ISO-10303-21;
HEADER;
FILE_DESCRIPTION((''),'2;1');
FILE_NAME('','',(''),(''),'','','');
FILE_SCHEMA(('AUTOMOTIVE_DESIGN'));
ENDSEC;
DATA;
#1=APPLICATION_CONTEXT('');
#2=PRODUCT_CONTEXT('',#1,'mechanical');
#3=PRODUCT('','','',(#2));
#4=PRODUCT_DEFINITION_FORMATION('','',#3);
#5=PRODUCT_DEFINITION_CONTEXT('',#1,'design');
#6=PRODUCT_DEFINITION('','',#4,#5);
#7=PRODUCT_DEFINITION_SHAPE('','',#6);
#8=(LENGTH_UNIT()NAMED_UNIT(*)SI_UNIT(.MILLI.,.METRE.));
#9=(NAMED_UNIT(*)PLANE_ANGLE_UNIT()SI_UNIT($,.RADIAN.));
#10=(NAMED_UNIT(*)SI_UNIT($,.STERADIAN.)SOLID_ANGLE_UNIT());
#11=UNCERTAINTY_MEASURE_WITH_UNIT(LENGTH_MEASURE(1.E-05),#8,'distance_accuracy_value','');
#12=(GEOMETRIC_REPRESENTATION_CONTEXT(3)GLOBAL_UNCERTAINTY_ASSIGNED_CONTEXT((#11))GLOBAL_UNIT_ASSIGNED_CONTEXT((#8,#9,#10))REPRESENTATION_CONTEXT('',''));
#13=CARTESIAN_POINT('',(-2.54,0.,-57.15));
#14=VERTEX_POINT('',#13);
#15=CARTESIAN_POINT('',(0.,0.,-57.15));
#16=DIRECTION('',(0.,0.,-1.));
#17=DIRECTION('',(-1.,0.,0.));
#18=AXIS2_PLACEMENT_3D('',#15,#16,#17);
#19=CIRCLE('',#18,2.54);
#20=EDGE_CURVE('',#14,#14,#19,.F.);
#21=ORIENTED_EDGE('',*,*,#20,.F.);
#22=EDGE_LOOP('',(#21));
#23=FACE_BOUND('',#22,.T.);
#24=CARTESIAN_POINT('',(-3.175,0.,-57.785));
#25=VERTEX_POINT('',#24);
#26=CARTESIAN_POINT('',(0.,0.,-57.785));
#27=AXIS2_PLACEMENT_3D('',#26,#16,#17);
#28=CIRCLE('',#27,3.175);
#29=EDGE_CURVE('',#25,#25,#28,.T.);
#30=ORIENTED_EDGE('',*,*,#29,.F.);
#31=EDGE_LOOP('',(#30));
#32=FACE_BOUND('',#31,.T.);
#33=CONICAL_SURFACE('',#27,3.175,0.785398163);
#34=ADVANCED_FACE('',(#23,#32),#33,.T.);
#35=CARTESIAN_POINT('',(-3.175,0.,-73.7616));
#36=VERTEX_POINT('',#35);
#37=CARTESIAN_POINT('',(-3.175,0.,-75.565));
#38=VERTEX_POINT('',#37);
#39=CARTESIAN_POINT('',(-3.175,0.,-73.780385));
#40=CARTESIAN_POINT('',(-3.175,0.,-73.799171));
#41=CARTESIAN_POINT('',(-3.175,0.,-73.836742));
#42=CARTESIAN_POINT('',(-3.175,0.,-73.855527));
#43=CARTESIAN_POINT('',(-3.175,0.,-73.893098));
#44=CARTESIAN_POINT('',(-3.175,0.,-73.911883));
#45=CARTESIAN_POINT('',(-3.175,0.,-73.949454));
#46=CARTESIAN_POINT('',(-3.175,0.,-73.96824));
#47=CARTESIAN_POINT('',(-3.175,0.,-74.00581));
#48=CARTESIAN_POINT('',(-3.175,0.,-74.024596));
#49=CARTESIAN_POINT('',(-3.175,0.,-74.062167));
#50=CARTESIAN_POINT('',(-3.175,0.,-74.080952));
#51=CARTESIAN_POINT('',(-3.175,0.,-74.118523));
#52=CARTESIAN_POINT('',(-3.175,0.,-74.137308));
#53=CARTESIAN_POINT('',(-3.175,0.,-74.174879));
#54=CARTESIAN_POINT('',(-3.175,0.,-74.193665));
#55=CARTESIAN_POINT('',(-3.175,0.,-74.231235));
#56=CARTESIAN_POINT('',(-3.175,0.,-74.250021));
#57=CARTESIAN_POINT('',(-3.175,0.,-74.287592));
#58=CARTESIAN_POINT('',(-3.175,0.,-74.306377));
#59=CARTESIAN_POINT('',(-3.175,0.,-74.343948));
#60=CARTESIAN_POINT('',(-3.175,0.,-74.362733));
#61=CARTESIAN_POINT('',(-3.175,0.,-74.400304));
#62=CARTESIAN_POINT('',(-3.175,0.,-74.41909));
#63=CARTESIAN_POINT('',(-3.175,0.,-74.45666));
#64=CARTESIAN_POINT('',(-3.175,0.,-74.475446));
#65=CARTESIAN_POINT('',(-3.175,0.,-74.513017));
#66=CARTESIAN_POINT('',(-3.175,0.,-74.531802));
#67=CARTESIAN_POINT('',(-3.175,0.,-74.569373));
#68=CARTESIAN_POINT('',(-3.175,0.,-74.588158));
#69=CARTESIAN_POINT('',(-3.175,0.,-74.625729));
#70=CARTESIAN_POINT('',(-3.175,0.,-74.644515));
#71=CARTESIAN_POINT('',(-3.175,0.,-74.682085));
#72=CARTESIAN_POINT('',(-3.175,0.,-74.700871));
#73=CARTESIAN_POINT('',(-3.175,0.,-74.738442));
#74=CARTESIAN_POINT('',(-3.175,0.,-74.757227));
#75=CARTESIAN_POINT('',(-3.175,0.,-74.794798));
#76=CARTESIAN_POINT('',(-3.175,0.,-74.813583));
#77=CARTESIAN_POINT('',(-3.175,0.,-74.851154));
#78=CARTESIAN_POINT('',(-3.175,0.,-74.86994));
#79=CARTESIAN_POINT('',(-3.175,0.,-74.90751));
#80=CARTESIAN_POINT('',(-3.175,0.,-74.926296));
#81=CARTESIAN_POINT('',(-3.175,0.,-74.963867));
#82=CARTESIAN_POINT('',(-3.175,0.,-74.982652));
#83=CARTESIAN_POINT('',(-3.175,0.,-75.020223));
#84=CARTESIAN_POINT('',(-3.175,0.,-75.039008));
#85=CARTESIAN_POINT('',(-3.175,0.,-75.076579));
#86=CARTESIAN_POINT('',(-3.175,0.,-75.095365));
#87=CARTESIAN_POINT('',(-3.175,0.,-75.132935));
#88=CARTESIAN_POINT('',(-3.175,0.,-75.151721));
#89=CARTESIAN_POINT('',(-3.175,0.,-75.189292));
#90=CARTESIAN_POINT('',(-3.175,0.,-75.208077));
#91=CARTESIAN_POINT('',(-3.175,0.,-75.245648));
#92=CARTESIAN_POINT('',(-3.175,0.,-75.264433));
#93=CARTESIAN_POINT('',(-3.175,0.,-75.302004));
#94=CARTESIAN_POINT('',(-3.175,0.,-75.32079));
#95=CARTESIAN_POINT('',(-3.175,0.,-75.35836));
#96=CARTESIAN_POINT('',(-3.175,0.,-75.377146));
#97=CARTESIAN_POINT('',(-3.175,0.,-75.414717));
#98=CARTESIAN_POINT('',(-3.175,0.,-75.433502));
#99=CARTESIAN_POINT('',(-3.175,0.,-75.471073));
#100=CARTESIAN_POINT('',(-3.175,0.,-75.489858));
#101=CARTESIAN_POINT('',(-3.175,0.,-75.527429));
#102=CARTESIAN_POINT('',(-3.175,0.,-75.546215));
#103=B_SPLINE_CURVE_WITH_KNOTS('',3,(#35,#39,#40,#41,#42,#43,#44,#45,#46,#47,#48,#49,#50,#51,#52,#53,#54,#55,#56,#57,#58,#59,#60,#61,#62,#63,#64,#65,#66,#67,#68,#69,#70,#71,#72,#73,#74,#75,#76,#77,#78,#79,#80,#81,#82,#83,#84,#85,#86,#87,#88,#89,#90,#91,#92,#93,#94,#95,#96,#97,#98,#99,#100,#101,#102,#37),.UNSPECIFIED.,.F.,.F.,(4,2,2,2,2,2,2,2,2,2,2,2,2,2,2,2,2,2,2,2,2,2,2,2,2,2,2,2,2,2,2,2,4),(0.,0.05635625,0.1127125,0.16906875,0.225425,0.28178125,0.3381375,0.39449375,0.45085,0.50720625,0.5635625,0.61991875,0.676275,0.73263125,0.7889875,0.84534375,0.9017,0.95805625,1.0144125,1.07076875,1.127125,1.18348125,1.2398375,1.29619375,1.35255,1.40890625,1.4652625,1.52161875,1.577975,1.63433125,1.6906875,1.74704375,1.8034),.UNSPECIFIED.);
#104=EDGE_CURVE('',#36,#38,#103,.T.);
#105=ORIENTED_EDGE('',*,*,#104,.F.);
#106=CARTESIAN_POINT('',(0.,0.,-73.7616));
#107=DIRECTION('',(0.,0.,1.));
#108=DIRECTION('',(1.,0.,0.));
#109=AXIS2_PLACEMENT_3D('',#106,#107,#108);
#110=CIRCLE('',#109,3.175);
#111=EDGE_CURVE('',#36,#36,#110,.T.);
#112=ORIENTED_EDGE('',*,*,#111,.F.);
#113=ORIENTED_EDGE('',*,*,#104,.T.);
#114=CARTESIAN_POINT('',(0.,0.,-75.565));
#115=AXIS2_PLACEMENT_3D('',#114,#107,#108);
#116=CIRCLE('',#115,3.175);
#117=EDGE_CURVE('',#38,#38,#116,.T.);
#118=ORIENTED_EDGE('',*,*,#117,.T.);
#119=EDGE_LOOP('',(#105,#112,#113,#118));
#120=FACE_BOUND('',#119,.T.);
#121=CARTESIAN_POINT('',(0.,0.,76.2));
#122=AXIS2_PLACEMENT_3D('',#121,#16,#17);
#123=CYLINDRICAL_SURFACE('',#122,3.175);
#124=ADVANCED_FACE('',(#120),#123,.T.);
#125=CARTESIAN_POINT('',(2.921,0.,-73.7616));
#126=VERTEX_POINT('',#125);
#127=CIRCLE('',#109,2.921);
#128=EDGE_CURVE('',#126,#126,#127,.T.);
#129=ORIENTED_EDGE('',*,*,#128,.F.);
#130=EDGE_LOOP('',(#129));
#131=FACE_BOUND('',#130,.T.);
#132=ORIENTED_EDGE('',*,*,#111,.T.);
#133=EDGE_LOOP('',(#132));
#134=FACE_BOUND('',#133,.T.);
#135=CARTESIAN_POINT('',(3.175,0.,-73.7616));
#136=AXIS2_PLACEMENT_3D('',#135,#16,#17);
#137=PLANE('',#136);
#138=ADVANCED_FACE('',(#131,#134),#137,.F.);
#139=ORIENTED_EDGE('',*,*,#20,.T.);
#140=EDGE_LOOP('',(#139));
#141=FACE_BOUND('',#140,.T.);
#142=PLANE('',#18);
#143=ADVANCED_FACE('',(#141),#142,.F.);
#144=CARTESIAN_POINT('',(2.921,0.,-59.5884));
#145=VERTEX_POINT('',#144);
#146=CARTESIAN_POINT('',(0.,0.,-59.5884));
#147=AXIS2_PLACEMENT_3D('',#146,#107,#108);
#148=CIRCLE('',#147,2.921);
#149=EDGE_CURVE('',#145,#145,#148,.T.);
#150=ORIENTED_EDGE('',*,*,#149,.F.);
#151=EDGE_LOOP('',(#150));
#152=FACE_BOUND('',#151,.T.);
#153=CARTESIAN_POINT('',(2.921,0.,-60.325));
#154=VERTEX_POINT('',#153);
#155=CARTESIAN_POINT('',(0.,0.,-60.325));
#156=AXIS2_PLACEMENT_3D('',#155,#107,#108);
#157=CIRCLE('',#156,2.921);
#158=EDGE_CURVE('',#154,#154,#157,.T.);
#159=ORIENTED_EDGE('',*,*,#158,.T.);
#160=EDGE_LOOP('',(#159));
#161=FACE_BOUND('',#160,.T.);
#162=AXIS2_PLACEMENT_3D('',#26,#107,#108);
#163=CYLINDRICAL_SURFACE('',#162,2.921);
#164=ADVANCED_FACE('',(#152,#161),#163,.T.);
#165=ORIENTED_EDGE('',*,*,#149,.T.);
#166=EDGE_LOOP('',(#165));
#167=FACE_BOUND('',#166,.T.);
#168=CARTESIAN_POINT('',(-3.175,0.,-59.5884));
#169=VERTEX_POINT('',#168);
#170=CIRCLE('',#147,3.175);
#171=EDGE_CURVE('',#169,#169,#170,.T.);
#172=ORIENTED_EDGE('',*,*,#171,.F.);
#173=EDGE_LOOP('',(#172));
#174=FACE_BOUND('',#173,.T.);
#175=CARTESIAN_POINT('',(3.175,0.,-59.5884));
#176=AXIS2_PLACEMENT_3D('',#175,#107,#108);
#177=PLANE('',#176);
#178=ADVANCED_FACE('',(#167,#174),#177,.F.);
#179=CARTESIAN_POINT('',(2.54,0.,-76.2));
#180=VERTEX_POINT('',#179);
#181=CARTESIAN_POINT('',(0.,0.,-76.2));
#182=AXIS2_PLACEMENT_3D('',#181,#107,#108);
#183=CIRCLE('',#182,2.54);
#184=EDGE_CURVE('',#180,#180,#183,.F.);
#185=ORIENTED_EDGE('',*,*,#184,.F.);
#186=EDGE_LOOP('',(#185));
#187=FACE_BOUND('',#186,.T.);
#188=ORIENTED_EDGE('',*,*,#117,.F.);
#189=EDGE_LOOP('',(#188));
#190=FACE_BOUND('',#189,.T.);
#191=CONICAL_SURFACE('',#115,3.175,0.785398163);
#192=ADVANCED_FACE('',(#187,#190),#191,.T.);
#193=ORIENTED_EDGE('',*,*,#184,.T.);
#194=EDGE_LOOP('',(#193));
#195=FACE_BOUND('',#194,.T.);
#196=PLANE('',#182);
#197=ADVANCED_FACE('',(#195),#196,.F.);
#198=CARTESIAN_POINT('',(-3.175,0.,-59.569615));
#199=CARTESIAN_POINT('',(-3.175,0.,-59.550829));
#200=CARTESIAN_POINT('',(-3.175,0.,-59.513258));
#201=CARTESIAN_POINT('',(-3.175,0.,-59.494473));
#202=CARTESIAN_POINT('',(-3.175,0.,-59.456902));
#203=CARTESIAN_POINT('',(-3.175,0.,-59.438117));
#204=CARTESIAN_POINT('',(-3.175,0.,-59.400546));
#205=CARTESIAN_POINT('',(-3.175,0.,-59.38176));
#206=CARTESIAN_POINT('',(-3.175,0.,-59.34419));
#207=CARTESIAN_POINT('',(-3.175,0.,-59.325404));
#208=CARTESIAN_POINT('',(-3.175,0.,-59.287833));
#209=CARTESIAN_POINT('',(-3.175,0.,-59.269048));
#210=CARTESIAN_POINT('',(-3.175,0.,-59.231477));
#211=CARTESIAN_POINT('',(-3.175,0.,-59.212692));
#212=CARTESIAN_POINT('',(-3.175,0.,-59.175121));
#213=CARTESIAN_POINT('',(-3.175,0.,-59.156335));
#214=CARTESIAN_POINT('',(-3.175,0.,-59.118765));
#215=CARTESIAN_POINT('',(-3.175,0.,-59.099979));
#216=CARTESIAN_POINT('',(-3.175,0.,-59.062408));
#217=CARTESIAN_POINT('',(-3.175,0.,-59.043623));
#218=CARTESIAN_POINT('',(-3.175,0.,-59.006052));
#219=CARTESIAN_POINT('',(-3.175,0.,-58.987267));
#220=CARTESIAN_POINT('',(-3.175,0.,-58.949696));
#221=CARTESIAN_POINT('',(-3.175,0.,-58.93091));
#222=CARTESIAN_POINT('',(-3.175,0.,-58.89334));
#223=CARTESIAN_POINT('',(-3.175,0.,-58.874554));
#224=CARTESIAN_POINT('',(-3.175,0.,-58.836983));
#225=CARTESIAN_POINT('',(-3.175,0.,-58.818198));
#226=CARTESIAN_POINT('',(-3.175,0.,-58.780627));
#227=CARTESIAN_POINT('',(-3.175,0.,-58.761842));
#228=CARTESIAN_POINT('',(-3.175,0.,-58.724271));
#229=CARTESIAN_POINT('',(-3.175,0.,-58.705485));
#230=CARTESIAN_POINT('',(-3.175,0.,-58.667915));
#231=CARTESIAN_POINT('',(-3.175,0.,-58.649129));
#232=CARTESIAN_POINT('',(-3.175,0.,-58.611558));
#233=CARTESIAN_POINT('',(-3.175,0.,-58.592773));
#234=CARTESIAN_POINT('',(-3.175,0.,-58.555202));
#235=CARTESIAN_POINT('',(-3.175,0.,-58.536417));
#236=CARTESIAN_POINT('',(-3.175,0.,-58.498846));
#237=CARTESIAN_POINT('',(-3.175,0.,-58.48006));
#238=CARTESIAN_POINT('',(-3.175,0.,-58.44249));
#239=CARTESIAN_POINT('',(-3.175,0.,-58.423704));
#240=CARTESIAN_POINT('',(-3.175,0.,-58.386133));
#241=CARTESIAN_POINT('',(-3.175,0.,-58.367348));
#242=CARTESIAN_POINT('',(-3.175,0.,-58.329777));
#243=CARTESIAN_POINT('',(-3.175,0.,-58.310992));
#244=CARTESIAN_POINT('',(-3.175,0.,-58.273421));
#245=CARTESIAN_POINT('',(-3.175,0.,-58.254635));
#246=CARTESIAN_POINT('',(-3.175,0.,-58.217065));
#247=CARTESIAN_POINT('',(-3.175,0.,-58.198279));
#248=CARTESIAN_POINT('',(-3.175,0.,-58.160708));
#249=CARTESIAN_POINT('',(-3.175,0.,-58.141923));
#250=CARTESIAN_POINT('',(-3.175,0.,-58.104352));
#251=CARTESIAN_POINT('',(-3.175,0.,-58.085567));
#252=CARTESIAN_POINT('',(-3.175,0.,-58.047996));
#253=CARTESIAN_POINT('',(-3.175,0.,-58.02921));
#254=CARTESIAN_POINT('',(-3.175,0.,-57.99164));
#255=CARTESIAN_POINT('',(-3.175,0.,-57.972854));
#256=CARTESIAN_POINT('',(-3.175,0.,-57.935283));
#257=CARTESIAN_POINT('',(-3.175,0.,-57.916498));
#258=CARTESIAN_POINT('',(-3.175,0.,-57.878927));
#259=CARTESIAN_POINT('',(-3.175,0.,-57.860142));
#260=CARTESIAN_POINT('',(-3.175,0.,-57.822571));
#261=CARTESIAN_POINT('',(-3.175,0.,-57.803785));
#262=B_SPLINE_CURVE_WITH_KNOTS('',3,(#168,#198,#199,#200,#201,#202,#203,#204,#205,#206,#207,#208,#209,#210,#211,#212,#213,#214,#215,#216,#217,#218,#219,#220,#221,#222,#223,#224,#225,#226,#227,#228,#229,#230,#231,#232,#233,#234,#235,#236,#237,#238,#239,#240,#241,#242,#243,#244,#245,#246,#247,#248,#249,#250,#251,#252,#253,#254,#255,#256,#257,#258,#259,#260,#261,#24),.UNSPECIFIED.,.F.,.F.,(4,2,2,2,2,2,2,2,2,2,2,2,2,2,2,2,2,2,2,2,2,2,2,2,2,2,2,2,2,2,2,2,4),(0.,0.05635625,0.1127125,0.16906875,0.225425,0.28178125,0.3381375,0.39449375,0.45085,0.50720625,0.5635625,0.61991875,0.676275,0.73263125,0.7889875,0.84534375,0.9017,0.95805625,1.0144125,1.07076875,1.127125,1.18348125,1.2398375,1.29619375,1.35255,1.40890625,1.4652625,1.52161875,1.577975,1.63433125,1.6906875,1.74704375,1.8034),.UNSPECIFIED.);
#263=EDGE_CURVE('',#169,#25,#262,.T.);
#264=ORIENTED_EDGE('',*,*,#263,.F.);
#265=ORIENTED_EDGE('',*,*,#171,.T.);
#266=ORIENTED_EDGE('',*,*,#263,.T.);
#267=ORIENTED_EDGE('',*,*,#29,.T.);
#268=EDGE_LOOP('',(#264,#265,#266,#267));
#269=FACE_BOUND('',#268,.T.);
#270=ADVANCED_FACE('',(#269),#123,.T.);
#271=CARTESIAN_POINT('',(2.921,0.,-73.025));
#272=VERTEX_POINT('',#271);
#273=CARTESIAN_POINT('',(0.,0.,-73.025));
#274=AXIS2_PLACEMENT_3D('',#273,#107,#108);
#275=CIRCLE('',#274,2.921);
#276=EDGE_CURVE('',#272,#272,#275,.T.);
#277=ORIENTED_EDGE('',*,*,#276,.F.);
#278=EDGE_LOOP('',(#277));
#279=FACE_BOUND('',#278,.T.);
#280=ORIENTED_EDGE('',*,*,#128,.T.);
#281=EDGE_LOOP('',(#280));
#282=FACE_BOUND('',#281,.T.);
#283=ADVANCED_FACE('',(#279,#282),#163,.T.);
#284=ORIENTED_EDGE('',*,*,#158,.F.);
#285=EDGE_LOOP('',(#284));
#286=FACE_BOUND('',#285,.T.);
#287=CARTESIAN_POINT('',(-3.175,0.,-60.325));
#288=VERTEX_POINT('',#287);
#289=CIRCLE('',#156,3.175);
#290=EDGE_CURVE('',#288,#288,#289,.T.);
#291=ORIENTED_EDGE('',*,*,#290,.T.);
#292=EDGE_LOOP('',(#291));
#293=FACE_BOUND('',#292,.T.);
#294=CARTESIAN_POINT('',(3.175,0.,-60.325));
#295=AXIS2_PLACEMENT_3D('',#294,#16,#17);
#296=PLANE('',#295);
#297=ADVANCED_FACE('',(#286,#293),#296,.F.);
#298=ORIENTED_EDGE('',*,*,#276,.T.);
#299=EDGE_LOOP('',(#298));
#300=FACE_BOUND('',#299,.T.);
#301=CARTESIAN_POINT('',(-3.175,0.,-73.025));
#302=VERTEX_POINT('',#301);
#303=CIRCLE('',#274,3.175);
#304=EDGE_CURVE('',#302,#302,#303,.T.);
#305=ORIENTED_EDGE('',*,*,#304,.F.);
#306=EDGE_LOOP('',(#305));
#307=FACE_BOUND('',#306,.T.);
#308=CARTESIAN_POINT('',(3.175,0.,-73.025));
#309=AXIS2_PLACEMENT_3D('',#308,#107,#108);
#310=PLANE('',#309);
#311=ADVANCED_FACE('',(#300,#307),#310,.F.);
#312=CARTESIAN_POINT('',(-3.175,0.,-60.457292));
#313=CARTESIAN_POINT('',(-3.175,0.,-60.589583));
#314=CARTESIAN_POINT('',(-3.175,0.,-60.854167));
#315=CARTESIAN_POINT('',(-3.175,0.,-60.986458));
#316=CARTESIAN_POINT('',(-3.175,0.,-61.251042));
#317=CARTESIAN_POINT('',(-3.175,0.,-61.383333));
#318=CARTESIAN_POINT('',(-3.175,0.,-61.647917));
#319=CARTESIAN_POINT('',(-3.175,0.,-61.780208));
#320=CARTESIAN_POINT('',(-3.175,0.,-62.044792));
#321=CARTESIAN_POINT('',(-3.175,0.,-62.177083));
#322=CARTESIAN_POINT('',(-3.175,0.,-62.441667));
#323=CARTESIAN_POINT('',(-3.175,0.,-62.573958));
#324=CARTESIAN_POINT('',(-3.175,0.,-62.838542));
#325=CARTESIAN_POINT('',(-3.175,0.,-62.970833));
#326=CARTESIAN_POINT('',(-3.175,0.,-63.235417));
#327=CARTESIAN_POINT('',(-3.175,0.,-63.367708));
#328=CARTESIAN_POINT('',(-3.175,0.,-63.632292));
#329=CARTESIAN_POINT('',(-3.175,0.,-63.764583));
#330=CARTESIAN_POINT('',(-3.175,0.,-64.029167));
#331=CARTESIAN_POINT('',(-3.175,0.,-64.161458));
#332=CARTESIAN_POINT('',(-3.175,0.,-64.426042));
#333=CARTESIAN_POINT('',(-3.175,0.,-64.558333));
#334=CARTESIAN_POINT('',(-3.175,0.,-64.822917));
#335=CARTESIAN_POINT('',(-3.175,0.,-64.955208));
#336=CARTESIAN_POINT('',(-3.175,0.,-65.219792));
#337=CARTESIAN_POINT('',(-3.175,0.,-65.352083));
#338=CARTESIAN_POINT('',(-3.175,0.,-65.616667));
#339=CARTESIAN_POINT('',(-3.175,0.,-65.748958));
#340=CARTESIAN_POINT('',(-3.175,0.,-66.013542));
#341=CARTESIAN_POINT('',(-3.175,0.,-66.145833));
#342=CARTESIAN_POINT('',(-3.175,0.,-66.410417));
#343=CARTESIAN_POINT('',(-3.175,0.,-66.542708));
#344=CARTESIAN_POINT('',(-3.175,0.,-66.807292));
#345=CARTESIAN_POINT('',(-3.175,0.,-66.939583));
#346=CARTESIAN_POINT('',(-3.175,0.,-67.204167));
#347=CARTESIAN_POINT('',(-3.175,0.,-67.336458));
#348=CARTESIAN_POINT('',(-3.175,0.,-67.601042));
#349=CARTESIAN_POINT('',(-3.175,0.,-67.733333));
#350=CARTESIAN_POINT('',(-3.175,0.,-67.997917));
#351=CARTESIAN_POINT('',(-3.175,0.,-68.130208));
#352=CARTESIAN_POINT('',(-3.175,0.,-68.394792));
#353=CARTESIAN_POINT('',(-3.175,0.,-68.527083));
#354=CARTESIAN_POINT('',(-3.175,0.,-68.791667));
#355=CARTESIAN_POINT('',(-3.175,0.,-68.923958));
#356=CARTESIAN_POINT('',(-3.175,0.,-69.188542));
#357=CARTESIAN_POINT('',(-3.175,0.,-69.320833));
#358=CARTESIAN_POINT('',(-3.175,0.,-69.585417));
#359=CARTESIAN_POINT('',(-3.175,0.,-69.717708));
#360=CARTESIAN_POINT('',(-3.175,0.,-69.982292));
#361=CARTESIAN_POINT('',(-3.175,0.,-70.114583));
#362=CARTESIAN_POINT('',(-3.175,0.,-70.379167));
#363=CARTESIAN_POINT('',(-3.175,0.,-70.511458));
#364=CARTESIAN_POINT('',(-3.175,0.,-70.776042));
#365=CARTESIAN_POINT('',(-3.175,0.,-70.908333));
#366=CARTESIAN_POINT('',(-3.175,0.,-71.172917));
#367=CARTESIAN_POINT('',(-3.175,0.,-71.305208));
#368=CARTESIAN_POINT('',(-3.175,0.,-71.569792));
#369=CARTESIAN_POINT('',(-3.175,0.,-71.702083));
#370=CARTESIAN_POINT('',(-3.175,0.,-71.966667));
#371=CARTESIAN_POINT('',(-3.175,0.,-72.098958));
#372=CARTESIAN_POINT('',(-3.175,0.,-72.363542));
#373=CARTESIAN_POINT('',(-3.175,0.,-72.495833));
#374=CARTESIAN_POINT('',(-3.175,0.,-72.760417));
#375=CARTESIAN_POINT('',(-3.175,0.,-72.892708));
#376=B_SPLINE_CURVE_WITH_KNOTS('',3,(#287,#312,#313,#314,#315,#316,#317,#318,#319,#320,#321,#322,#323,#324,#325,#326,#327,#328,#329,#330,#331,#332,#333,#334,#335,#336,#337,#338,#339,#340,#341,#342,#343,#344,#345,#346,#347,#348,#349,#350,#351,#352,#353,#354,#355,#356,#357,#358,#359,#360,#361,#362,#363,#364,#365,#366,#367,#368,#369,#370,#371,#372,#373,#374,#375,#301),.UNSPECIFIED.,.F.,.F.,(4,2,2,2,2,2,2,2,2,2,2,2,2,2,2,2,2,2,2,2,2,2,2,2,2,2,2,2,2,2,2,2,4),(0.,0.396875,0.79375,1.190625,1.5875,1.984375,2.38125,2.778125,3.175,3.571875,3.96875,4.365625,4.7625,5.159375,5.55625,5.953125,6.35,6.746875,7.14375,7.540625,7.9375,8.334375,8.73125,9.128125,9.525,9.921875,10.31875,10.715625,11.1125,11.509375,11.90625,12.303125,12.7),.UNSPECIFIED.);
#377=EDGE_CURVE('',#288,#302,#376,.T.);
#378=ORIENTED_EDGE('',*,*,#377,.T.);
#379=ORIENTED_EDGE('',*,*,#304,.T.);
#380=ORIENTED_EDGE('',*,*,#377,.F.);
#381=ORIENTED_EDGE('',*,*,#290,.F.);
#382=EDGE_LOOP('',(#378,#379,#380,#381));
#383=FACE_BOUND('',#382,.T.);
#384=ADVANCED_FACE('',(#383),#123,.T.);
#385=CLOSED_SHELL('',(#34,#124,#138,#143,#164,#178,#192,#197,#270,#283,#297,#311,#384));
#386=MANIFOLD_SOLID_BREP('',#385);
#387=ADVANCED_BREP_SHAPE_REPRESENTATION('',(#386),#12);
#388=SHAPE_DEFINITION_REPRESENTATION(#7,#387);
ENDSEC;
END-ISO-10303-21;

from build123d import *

# Parameters (mm, degrees)
SKETCH3_R           = 3.175
BOSS_EXTRUDE1_DEPTH = 76.2
CHAMFER1_SIZE       = 0.635
CUT_TO_LENGTH_START = -19.05
SKETCH4_R           = 3.175
CUT_TO_LENGTH_DEPTH = 134.416131485
CHAMER_CUT_END_SIZE = 0.635
SKETCH5_W           = 0.254
SKETCH5_H           = 0.7366


with BuildPart() as part:
    # Sketch3 → Boss-Extrude1 (new, symmetric)
    with BuildSketch(Plane.XY):
        with Locations(Location((0, 0, 0), (0, 0, 180))):
            Circle(SKETCH3_R)
    extrude(amount=BOSS_EXTRUDE1_DEPTH, both=True)

    # Chamfer1
    chamfer1_edges = [part.edges().sort_by_distance(p)[0] for p in [
        (3.175, 0, -76.2),
        (3.175, 0, 76.2),
    ]]
    chamfer(chamfer1_edges, length=CHAMFER1_SIZE)

    # Sketch4 → CUT-TO-LENGTH (cut, through all)
    with BuildSketch(Plane(origin=(0, 0, -76.2), x_dir=(-1, 0, 0), z_dir=(0, 0, -1)).offset(CUT_TO_LENGTH_START)):
        Circle(SKETCH4_R)
    extrude(amount=-CUT_TO_LENGTH_DEPTH, mode=Mode.SUBTRACT)

    # CHAMER-CUT-END
    chamer_cut_end_edges = [part.edges().sort_by_distance(p)[0] for p in [
        (3.175, 0, -57.15),
    ]]
    chamfer(chamer_cut_end_edges, length=CHAMER_CUT_END_SIZE)

    # Sketch5 → SNAP-RING-CUT (revolve, cut)
    with BuildSketch(Plane(origin=(0, 0, 0), x_dir=(1, 0, 0), z_dir=(0, 1, 0))):
        with Locations((3.048, 59.9567)):
            Rectangle(SKETCH5_W, SKETCH5_H)
        with Locations((3.048, 73.3933)):
            Rectangle(SKETCH5_W, SKETCH5_H)
    revolve(axis=Axis((0, 0, -57.785), (0, 0, -1)), mode=Mode.SUBTRACT)


solid = part.part
